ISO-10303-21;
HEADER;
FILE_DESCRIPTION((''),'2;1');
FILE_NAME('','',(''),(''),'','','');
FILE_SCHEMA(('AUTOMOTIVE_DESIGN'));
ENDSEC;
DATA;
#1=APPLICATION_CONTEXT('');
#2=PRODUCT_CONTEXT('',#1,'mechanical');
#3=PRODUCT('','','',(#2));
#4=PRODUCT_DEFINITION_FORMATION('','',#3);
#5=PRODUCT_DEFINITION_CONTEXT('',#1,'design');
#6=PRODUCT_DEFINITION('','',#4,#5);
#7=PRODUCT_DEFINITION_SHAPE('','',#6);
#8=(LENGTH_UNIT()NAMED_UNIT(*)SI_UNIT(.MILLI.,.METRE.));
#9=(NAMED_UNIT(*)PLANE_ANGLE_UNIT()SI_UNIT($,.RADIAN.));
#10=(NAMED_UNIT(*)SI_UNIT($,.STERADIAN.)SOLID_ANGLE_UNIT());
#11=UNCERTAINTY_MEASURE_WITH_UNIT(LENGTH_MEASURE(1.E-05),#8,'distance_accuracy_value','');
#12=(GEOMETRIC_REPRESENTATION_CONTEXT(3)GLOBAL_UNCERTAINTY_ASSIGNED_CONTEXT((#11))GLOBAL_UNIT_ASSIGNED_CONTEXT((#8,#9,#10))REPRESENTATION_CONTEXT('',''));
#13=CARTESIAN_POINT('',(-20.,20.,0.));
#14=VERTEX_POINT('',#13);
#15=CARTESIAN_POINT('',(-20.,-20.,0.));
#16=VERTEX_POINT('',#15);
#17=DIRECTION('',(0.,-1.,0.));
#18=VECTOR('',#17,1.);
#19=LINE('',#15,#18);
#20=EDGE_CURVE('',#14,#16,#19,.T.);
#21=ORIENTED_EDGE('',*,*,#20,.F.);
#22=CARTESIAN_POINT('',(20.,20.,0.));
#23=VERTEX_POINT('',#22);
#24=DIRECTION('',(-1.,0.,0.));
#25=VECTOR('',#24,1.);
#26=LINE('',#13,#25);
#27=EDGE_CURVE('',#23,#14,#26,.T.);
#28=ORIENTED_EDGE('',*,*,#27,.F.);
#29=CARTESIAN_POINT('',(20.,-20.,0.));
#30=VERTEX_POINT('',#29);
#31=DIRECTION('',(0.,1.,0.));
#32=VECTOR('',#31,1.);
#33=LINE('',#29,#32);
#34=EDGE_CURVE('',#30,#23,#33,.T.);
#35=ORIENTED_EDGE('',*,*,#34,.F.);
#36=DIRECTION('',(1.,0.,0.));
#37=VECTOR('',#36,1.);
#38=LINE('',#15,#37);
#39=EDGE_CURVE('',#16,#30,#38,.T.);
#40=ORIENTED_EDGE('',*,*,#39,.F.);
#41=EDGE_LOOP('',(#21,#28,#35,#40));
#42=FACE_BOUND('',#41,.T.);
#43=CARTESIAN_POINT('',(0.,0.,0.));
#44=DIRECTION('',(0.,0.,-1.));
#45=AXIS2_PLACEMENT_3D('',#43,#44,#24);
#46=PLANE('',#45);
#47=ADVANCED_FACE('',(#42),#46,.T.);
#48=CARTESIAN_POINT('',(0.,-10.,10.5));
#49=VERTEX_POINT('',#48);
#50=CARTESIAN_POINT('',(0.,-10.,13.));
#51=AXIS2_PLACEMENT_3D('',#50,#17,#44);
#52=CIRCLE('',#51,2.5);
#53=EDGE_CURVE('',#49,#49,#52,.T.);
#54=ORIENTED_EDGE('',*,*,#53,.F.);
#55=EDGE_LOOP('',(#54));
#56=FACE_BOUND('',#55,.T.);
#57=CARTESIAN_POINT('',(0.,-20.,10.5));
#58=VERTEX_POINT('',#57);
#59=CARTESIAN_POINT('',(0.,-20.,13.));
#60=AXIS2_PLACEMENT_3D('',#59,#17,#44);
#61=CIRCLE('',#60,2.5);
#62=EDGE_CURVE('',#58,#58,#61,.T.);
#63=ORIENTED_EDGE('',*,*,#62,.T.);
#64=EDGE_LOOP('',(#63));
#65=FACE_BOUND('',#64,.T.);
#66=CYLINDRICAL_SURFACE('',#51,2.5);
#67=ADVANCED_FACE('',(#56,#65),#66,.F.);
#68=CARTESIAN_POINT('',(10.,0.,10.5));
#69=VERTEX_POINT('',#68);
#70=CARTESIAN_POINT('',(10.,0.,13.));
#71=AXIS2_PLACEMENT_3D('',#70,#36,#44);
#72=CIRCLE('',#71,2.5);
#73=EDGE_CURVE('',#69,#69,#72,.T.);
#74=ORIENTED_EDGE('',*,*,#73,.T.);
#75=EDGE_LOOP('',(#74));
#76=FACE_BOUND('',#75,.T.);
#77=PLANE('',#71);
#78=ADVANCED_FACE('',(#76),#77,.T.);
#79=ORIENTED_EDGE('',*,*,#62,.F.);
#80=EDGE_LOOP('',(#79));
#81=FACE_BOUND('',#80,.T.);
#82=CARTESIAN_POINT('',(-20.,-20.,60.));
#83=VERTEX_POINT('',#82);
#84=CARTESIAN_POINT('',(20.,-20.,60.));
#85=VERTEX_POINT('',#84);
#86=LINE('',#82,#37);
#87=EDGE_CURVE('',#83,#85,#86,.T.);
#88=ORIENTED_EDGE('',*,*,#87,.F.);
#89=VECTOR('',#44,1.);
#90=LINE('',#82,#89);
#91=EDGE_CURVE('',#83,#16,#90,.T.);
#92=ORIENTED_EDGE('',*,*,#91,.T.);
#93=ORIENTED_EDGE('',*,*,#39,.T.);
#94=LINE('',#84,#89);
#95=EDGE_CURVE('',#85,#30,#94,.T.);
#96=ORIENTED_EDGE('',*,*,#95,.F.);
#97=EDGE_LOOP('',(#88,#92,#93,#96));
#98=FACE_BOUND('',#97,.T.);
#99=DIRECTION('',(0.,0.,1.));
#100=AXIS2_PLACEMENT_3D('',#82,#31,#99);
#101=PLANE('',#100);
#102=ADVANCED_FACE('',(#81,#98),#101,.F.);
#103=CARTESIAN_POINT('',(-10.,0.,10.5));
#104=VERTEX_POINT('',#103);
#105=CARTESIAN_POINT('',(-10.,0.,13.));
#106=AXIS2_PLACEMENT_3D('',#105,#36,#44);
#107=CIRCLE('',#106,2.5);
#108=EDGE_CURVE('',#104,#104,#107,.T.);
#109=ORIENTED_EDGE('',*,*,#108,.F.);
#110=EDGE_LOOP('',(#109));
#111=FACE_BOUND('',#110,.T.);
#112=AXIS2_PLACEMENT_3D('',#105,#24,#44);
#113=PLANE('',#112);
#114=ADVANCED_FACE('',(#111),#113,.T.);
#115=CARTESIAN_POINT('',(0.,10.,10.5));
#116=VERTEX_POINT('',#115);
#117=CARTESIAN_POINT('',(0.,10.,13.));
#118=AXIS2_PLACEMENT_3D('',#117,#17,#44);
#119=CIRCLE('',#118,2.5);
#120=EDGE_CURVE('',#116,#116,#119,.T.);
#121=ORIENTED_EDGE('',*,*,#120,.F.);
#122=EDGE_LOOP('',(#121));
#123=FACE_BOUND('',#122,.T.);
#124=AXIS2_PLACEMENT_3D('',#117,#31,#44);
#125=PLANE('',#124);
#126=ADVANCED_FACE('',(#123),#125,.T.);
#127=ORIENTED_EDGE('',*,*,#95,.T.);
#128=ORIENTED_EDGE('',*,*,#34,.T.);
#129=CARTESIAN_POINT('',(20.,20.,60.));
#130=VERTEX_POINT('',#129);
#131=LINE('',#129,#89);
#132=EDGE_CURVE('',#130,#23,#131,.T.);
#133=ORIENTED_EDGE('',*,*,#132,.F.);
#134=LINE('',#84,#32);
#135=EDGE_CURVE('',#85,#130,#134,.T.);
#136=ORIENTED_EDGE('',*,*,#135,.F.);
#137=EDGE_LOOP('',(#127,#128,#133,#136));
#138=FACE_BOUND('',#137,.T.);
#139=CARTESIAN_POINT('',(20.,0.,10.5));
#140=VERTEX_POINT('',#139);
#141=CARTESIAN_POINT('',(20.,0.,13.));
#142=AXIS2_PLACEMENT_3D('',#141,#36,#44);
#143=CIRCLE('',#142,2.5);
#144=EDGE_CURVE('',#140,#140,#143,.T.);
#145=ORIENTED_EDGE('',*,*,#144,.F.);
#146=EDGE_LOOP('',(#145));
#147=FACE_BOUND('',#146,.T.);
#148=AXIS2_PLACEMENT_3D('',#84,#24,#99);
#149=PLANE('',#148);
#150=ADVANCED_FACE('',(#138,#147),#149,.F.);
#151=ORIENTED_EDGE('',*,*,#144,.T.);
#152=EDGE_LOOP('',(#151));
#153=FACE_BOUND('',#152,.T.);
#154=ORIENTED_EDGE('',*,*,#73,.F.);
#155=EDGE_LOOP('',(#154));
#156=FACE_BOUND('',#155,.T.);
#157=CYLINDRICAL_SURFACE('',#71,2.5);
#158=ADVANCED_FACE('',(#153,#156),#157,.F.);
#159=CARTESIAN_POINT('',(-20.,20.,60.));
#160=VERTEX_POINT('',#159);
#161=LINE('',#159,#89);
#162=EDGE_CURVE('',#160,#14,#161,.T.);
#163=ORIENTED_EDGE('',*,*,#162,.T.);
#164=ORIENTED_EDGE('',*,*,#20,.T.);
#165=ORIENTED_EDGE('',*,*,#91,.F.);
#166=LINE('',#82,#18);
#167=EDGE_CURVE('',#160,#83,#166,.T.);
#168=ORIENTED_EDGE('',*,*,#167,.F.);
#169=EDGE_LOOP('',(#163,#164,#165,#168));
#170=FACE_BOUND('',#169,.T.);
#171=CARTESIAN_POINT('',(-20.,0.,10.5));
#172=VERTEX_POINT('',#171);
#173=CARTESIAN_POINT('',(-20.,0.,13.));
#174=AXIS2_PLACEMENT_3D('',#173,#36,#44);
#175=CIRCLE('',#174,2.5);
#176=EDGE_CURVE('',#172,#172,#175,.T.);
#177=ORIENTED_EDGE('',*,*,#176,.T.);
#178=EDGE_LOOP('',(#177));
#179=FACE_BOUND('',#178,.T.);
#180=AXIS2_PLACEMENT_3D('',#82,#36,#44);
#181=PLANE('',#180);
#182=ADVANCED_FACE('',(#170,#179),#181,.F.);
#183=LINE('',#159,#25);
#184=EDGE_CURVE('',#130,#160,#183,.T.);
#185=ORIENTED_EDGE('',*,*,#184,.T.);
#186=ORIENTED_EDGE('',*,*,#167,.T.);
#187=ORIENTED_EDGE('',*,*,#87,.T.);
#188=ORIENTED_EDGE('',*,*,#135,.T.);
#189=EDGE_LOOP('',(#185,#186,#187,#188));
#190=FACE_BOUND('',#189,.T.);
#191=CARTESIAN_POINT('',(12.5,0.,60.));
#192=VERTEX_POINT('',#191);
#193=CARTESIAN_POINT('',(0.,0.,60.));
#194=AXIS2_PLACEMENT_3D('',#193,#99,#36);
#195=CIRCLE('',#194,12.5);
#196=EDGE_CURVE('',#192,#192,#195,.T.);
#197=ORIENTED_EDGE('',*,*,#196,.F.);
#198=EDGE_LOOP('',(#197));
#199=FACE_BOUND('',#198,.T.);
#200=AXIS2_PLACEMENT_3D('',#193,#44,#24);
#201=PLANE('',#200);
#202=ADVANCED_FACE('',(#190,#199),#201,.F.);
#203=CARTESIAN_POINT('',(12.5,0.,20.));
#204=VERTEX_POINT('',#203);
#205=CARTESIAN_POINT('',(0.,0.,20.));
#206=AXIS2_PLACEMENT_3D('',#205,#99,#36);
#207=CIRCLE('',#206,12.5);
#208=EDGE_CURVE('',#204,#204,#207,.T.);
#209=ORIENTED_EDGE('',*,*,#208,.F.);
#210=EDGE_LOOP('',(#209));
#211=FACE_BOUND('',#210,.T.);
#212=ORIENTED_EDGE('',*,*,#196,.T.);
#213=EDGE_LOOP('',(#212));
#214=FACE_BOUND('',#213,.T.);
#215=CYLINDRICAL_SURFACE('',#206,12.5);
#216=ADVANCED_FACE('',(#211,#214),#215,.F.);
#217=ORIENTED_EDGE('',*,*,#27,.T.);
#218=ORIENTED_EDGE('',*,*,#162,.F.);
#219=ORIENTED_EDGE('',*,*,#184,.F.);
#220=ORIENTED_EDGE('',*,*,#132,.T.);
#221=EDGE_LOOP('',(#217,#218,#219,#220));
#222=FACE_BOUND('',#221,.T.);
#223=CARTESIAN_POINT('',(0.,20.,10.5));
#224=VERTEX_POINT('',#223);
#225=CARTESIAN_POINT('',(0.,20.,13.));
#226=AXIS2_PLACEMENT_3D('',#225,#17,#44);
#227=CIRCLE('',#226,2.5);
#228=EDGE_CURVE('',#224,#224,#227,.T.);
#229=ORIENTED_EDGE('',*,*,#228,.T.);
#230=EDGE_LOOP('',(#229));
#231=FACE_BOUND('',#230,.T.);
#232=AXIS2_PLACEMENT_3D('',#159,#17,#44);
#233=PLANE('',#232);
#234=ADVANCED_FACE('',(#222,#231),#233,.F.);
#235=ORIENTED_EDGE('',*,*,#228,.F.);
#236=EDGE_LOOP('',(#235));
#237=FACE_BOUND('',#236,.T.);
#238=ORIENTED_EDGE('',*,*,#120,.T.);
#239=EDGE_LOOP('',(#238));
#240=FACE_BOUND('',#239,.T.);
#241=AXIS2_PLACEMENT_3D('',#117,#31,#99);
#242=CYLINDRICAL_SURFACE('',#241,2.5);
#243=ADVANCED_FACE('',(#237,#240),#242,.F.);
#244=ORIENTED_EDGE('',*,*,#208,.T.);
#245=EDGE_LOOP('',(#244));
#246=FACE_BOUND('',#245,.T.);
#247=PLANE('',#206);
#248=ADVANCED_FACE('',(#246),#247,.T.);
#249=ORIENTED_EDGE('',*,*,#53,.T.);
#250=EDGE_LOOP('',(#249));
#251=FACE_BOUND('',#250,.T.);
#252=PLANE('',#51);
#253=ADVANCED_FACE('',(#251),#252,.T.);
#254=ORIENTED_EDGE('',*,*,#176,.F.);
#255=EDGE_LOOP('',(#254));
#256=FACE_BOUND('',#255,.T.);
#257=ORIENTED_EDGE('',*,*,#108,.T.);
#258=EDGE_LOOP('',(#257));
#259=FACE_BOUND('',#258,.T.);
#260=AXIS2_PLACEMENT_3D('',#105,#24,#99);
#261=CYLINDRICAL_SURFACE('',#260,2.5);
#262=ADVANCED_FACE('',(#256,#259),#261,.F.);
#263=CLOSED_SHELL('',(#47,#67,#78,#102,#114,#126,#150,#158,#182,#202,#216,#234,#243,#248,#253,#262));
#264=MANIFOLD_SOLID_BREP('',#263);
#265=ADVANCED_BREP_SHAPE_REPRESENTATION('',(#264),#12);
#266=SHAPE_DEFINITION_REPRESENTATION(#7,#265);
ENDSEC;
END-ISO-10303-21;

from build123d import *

# Parameters (mm, degrees)
SKETCH_1_W          = 40
SKETCH_1_H          = 40
EXTRUDE_1_DEPTH     = 60
SKETCH_7_R          = 2.5
CUT_EXTRUDE_1_DEPTH = 10
SKETCH_8_R          = 2.5
CUT_EXTRUDE_2_DEPTH = 10
SKETCH_10_R         = 12.5
CUT_EXTRUDE_3_DEPTH = 40


with BuildPart() as part:
    # 草图1 → 凸台-拉伸1 (new body)
    with BuildSketch(Plane.XY):
        Rectangle(SKETCH_1_W, SKETCH_1_H)
    extrude(amount=EXTRUDE_1_DEPTH)

    # 草图7 → 切除-拉伸1 (cut)
    with BuildSketch(Plane.XZ.offset(20)):
        with Locations(Location((0, 13, 0), (0, 0, 270))):
            Circle(SKETCH_7_R)
    cut_extrude_1 = extrude(amount=-CUT_EXTRUDE_1_DEPTH, mode=Mode.SUBTRACT)

    # 草图8 → 切除-拉伸2 (cut)
    with BuildSketch(Plane(origin=(20, 0, 0), x_dir=(0, 0, -1), z_dir=(1, 0, 0))):
        with Locations((-13, 0)):
            Circle(SKETCH_8_R)
    cut_extrude_2 = extrude(amount=-CUT_EXTRUDE_2_DEPTH, mode=Mode.SUBTRACT)

    # 镜向1: 切除-拉伸1 across plane
    add(cut_extrude_1.mirror(Plane.ZX), mode=Mode.SUBTRACT)

    # 镜向2: 切除-拉伸2 across plane
    add(cut_extrude_2.mirror(Plane(origin=(0, 0, 0), x_dir=(0, 0, 1), z_dir=(1, 0, 0))), mode=Mode.SUBTRACT)

    # 草图10 → 切除-拉伸3 (cut)
    with BuildSketch(Plane.XY.offset(60)):
        Circle(SKETCH_10_R)
    extrude(amount=-CUT_EXTRUDE_3_DEPTH, mode=Mode.SUBTRACT)


solid = part.part
